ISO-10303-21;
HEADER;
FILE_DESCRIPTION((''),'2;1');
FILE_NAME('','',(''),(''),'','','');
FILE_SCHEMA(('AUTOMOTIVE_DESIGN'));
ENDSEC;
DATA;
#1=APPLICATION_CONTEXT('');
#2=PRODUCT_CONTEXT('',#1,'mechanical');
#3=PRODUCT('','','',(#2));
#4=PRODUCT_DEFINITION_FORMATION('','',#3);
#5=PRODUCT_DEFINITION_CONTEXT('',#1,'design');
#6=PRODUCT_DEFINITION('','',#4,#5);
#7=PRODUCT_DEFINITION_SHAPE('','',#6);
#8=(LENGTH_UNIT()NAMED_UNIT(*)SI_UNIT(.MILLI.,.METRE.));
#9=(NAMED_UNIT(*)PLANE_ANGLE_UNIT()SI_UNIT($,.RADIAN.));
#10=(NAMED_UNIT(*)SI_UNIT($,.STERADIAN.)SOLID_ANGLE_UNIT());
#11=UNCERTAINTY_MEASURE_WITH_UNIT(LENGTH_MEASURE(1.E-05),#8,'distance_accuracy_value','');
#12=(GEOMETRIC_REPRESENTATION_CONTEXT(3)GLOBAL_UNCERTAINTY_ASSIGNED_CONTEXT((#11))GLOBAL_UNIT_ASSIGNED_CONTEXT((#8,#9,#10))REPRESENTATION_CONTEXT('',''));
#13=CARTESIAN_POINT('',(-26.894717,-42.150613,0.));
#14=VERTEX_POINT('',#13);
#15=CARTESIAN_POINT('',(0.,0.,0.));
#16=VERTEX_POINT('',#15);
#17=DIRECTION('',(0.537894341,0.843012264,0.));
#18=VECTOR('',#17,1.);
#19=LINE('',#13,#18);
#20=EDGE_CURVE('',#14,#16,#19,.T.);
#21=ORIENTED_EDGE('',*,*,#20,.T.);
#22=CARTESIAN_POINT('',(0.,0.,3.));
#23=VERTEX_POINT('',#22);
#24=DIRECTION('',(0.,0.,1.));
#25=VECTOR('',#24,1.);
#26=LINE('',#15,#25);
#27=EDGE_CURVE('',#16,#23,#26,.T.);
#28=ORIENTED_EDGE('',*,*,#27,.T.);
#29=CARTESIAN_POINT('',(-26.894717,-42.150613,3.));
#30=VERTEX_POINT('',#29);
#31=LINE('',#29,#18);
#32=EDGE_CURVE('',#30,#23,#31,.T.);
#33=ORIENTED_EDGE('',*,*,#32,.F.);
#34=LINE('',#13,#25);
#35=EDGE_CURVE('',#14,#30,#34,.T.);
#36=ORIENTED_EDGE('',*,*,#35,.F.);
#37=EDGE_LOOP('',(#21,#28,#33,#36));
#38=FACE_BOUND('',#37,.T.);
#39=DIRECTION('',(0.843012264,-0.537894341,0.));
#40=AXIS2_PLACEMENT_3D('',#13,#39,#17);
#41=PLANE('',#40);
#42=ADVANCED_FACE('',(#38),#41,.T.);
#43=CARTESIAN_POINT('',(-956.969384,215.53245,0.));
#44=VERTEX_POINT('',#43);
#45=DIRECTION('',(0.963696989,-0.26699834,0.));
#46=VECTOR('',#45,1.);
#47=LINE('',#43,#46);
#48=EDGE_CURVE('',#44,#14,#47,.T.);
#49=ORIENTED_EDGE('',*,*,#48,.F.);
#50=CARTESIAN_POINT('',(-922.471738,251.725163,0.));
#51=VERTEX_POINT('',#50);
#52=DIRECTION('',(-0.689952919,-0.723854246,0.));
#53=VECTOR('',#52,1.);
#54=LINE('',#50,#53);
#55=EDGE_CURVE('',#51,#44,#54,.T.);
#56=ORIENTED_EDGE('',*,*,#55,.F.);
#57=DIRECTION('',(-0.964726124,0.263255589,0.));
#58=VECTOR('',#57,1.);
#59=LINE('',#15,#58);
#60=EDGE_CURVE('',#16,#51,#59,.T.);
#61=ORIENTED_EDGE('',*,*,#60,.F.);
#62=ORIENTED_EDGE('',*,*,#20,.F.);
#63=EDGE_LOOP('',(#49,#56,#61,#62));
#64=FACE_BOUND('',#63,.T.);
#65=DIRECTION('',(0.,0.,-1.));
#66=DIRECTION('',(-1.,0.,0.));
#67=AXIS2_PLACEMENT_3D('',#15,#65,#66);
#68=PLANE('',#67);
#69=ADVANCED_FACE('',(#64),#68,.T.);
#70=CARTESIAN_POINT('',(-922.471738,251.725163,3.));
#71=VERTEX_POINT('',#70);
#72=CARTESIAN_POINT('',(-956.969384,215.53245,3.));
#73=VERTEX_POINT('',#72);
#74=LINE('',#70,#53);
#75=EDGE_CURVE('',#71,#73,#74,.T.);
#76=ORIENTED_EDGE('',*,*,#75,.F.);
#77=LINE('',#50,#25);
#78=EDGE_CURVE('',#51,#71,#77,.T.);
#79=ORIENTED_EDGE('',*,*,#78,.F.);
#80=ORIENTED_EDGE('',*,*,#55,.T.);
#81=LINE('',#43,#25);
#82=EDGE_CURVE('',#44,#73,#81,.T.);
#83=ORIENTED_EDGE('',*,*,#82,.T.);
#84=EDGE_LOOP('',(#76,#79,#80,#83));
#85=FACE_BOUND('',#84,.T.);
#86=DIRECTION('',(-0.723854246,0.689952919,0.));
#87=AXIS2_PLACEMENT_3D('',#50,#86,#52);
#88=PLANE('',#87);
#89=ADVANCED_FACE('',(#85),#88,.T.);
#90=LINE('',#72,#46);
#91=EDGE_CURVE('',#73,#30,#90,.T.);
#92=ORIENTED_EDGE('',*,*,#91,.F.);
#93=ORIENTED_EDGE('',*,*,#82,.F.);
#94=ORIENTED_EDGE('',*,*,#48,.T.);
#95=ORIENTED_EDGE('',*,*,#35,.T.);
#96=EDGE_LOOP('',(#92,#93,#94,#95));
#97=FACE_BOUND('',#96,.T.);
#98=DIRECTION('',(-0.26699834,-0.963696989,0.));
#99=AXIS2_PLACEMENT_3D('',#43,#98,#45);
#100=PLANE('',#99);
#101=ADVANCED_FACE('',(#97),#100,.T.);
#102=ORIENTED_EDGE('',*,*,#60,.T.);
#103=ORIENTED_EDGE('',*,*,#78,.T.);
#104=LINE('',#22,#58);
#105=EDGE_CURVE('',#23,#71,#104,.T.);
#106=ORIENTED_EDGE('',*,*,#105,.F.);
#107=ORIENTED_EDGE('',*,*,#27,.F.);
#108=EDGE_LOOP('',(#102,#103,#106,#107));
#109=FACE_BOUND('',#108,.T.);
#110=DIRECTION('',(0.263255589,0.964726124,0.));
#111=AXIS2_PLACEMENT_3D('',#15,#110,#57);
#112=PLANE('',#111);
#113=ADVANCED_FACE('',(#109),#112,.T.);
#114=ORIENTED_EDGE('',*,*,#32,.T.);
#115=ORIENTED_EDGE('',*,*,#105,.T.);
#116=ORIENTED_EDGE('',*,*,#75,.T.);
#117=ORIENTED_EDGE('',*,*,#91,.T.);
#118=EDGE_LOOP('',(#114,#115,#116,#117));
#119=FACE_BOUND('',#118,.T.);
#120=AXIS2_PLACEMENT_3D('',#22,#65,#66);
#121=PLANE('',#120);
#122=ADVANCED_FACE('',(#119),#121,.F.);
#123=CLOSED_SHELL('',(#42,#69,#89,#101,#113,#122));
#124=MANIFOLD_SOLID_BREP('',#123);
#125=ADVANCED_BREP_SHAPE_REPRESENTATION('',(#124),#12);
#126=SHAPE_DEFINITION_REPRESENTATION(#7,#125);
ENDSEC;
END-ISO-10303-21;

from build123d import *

# Parameters (mm, degrees)
BOSS_EXTRUDE1_DEPTH = 3


with BuildPart() as part:
    # 3DSketch1 → Boss-Extrude1 (new body)
    with BuildSketch(Plane(origin=(0, 0, 0), x_dir=(-0.9755629396189583, 0.21972016485069545, 0), z_dir=(0, 0, 1))):
        Polygon((0, 0), (955.238334723, -42.888097271), (980.940690888, 0), (16.976149555, 47.029887798), align=None)
    extrude(amount=BOSS_EXTRUDE1_DEPTH)


solid = part.part
